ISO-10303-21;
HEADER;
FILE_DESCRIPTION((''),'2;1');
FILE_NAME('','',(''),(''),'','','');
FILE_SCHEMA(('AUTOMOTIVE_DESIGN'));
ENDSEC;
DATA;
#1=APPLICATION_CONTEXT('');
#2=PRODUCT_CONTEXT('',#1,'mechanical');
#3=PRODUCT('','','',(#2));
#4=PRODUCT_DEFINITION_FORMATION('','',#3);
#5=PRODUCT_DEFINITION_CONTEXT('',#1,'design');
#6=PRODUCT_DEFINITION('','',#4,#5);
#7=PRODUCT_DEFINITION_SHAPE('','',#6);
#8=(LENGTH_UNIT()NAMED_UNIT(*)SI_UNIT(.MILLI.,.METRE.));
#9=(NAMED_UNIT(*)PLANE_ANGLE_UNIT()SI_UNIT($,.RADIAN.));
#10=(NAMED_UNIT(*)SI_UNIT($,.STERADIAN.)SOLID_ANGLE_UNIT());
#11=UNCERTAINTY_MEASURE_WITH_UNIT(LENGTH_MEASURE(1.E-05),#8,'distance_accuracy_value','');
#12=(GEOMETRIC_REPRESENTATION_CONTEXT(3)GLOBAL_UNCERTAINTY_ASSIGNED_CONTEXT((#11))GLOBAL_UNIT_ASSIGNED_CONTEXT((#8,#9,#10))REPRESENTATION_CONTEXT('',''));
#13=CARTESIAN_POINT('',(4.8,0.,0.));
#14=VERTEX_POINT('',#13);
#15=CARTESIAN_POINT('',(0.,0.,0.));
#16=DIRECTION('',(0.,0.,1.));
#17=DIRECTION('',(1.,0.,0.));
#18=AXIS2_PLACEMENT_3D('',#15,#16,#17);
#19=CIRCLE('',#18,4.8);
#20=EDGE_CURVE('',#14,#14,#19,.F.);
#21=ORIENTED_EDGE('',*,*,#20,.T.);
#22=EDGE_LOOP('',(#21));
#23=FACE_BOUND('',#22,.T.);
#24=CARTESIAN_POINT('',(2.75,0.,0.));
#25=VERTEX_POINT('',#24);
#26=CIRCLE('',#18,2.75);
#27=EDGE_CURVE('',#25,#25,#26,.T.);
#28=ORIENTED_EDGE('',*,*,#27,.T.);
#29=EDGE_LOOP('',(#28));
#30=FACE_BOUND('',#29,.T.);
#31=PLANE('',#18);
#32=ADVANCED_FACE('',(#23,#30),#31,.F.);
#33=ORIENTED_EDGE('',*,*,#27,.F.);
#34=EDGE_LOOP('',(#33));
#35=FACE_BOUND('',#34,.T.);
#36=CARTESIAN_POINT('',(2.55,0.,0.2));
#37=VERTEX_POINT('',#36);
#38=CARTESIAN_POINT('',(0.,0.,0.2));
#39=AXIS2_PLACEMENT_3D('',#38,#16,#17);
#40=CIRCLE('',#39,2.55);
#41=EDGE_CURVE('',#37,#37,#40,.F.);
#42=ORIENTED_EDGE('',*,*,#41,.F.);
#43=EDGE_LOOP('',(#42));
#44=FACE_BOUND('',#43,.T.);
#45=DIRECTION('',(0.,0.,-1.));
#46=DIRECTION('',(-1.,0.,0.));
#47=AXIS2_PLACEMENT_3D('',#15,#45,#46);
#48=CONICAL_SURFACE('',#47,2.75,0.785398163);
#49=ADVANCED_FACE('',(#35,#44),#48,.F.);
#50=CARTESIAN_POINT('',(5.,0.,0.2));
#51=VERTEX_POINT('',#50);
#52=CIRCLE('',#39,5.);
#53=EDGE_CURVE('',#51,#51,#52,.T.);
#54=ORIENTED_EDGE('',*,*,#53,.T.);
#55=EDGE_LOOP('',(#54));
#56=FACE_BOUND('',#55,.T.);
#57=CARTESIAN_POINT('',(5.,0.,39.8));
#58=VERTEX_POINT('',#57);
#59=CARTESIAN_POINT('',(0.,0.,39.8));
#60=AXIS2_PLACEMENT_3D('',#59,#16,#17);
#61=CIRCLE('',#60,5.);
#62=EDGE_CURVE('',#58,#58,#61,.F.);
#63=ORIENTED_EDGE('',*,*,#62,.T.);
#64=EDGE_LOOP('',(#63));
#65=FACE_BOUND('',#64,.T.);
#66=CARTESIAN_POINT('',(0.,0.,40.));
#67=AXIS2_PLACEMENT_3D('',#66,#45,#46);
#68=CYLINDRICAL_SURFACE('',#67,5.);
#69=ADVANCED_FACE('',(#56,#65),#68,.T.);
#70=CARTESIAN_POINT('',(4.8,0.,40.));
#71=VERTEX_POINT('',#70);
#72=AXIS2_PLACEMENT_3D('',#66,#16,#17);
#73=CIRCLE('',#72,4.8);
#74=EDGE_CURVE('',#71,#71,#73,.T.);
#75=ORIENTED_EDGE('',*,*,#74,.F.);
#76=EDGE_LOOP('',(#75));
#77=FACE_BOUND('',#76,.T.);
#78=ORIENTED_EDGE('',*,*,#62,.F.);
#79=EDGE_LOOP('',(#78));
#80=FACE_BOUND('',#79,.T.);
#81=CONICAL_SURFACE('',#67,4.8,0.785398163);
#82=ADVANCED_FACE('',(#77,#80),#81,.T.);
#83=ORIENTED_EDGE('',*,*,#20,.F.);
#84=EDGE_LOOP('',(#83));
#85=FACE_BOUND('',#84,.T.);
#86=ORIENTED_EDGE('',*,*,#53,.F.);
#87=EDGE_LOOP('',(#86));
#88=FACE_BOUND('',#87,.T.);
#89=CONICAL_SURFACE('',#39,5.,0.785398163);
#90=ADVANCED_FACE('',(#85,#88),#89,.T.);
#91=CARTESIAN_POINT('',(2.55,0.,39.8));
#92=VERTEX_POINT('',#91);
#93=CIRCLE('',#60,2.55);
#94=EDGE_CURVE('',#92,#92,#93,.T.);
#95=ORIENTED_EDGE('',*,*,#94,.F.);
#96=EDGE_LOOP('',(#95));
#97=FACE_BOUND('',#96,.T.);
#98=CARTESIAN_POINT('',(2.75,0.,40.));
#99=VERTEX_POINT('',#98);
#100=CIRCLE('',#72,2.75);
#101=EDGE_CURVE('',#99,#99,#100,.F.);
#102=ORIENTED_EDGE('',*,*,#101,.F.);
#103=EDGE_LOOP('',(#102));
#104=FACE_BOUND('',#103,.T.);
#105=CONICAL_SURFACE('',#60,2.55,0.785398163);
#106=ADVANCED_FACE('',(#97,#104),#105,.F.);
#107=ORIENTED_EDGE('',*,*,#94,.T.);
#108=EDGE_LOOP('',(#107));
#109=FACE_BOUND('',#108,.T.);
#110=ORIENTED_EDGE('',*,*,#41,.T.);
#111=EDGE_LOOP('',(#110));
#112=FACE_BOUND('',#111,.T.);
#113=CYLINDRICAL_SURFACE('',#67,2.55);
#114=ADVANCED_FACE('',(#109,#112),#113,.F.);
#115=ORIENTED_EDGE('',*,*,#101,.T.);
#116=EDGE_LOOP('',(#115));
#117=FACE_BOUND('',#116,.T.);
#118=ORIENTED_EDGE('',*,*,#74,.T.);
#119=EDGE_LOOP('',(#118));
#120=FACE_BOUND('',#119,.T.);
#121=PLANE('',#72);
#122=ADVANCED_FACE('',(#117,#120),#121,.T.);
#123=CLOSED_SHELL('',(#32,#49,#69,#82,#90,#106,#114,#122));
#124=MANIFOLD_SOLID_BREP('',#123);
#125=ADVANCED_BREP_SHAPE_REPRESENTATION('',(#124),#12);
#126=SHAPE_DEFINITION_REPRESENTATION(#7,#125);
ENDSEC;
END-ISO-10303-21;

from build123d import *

# Parameters (mm, degrees)
SKETCH1_R           = 5
SKETCH1_R_2         = 2.55
BOSS_EXTRUDE1_DEPTH = 40
CHAMFER1_SIZE       = 0.2


with BuildPart() as part:
    # Sketch1 → Boss-Extrude1 (new body)
    with BuildSketch(Plane.XY):
        Circle(SKETCH1_R)
        Circle(SKETCH1_R_2, mode=Mode.SUBTRACT)
    extrude(amount=BOSS_EXTRUDE1_DEPTH)

    # Chamfer1
    chamfer1_edges = [part.edges().sort_by_distance(p)[0] for p in [
        (-5, 0, 0),
        (-5, 0, 40),
        (-2.55, 0, 0),
        (-2.55, 0, 40),
    ]]
    chamfer(chamfer1_edges, length=CHAMFER1_SIZE)


solid = part.part
